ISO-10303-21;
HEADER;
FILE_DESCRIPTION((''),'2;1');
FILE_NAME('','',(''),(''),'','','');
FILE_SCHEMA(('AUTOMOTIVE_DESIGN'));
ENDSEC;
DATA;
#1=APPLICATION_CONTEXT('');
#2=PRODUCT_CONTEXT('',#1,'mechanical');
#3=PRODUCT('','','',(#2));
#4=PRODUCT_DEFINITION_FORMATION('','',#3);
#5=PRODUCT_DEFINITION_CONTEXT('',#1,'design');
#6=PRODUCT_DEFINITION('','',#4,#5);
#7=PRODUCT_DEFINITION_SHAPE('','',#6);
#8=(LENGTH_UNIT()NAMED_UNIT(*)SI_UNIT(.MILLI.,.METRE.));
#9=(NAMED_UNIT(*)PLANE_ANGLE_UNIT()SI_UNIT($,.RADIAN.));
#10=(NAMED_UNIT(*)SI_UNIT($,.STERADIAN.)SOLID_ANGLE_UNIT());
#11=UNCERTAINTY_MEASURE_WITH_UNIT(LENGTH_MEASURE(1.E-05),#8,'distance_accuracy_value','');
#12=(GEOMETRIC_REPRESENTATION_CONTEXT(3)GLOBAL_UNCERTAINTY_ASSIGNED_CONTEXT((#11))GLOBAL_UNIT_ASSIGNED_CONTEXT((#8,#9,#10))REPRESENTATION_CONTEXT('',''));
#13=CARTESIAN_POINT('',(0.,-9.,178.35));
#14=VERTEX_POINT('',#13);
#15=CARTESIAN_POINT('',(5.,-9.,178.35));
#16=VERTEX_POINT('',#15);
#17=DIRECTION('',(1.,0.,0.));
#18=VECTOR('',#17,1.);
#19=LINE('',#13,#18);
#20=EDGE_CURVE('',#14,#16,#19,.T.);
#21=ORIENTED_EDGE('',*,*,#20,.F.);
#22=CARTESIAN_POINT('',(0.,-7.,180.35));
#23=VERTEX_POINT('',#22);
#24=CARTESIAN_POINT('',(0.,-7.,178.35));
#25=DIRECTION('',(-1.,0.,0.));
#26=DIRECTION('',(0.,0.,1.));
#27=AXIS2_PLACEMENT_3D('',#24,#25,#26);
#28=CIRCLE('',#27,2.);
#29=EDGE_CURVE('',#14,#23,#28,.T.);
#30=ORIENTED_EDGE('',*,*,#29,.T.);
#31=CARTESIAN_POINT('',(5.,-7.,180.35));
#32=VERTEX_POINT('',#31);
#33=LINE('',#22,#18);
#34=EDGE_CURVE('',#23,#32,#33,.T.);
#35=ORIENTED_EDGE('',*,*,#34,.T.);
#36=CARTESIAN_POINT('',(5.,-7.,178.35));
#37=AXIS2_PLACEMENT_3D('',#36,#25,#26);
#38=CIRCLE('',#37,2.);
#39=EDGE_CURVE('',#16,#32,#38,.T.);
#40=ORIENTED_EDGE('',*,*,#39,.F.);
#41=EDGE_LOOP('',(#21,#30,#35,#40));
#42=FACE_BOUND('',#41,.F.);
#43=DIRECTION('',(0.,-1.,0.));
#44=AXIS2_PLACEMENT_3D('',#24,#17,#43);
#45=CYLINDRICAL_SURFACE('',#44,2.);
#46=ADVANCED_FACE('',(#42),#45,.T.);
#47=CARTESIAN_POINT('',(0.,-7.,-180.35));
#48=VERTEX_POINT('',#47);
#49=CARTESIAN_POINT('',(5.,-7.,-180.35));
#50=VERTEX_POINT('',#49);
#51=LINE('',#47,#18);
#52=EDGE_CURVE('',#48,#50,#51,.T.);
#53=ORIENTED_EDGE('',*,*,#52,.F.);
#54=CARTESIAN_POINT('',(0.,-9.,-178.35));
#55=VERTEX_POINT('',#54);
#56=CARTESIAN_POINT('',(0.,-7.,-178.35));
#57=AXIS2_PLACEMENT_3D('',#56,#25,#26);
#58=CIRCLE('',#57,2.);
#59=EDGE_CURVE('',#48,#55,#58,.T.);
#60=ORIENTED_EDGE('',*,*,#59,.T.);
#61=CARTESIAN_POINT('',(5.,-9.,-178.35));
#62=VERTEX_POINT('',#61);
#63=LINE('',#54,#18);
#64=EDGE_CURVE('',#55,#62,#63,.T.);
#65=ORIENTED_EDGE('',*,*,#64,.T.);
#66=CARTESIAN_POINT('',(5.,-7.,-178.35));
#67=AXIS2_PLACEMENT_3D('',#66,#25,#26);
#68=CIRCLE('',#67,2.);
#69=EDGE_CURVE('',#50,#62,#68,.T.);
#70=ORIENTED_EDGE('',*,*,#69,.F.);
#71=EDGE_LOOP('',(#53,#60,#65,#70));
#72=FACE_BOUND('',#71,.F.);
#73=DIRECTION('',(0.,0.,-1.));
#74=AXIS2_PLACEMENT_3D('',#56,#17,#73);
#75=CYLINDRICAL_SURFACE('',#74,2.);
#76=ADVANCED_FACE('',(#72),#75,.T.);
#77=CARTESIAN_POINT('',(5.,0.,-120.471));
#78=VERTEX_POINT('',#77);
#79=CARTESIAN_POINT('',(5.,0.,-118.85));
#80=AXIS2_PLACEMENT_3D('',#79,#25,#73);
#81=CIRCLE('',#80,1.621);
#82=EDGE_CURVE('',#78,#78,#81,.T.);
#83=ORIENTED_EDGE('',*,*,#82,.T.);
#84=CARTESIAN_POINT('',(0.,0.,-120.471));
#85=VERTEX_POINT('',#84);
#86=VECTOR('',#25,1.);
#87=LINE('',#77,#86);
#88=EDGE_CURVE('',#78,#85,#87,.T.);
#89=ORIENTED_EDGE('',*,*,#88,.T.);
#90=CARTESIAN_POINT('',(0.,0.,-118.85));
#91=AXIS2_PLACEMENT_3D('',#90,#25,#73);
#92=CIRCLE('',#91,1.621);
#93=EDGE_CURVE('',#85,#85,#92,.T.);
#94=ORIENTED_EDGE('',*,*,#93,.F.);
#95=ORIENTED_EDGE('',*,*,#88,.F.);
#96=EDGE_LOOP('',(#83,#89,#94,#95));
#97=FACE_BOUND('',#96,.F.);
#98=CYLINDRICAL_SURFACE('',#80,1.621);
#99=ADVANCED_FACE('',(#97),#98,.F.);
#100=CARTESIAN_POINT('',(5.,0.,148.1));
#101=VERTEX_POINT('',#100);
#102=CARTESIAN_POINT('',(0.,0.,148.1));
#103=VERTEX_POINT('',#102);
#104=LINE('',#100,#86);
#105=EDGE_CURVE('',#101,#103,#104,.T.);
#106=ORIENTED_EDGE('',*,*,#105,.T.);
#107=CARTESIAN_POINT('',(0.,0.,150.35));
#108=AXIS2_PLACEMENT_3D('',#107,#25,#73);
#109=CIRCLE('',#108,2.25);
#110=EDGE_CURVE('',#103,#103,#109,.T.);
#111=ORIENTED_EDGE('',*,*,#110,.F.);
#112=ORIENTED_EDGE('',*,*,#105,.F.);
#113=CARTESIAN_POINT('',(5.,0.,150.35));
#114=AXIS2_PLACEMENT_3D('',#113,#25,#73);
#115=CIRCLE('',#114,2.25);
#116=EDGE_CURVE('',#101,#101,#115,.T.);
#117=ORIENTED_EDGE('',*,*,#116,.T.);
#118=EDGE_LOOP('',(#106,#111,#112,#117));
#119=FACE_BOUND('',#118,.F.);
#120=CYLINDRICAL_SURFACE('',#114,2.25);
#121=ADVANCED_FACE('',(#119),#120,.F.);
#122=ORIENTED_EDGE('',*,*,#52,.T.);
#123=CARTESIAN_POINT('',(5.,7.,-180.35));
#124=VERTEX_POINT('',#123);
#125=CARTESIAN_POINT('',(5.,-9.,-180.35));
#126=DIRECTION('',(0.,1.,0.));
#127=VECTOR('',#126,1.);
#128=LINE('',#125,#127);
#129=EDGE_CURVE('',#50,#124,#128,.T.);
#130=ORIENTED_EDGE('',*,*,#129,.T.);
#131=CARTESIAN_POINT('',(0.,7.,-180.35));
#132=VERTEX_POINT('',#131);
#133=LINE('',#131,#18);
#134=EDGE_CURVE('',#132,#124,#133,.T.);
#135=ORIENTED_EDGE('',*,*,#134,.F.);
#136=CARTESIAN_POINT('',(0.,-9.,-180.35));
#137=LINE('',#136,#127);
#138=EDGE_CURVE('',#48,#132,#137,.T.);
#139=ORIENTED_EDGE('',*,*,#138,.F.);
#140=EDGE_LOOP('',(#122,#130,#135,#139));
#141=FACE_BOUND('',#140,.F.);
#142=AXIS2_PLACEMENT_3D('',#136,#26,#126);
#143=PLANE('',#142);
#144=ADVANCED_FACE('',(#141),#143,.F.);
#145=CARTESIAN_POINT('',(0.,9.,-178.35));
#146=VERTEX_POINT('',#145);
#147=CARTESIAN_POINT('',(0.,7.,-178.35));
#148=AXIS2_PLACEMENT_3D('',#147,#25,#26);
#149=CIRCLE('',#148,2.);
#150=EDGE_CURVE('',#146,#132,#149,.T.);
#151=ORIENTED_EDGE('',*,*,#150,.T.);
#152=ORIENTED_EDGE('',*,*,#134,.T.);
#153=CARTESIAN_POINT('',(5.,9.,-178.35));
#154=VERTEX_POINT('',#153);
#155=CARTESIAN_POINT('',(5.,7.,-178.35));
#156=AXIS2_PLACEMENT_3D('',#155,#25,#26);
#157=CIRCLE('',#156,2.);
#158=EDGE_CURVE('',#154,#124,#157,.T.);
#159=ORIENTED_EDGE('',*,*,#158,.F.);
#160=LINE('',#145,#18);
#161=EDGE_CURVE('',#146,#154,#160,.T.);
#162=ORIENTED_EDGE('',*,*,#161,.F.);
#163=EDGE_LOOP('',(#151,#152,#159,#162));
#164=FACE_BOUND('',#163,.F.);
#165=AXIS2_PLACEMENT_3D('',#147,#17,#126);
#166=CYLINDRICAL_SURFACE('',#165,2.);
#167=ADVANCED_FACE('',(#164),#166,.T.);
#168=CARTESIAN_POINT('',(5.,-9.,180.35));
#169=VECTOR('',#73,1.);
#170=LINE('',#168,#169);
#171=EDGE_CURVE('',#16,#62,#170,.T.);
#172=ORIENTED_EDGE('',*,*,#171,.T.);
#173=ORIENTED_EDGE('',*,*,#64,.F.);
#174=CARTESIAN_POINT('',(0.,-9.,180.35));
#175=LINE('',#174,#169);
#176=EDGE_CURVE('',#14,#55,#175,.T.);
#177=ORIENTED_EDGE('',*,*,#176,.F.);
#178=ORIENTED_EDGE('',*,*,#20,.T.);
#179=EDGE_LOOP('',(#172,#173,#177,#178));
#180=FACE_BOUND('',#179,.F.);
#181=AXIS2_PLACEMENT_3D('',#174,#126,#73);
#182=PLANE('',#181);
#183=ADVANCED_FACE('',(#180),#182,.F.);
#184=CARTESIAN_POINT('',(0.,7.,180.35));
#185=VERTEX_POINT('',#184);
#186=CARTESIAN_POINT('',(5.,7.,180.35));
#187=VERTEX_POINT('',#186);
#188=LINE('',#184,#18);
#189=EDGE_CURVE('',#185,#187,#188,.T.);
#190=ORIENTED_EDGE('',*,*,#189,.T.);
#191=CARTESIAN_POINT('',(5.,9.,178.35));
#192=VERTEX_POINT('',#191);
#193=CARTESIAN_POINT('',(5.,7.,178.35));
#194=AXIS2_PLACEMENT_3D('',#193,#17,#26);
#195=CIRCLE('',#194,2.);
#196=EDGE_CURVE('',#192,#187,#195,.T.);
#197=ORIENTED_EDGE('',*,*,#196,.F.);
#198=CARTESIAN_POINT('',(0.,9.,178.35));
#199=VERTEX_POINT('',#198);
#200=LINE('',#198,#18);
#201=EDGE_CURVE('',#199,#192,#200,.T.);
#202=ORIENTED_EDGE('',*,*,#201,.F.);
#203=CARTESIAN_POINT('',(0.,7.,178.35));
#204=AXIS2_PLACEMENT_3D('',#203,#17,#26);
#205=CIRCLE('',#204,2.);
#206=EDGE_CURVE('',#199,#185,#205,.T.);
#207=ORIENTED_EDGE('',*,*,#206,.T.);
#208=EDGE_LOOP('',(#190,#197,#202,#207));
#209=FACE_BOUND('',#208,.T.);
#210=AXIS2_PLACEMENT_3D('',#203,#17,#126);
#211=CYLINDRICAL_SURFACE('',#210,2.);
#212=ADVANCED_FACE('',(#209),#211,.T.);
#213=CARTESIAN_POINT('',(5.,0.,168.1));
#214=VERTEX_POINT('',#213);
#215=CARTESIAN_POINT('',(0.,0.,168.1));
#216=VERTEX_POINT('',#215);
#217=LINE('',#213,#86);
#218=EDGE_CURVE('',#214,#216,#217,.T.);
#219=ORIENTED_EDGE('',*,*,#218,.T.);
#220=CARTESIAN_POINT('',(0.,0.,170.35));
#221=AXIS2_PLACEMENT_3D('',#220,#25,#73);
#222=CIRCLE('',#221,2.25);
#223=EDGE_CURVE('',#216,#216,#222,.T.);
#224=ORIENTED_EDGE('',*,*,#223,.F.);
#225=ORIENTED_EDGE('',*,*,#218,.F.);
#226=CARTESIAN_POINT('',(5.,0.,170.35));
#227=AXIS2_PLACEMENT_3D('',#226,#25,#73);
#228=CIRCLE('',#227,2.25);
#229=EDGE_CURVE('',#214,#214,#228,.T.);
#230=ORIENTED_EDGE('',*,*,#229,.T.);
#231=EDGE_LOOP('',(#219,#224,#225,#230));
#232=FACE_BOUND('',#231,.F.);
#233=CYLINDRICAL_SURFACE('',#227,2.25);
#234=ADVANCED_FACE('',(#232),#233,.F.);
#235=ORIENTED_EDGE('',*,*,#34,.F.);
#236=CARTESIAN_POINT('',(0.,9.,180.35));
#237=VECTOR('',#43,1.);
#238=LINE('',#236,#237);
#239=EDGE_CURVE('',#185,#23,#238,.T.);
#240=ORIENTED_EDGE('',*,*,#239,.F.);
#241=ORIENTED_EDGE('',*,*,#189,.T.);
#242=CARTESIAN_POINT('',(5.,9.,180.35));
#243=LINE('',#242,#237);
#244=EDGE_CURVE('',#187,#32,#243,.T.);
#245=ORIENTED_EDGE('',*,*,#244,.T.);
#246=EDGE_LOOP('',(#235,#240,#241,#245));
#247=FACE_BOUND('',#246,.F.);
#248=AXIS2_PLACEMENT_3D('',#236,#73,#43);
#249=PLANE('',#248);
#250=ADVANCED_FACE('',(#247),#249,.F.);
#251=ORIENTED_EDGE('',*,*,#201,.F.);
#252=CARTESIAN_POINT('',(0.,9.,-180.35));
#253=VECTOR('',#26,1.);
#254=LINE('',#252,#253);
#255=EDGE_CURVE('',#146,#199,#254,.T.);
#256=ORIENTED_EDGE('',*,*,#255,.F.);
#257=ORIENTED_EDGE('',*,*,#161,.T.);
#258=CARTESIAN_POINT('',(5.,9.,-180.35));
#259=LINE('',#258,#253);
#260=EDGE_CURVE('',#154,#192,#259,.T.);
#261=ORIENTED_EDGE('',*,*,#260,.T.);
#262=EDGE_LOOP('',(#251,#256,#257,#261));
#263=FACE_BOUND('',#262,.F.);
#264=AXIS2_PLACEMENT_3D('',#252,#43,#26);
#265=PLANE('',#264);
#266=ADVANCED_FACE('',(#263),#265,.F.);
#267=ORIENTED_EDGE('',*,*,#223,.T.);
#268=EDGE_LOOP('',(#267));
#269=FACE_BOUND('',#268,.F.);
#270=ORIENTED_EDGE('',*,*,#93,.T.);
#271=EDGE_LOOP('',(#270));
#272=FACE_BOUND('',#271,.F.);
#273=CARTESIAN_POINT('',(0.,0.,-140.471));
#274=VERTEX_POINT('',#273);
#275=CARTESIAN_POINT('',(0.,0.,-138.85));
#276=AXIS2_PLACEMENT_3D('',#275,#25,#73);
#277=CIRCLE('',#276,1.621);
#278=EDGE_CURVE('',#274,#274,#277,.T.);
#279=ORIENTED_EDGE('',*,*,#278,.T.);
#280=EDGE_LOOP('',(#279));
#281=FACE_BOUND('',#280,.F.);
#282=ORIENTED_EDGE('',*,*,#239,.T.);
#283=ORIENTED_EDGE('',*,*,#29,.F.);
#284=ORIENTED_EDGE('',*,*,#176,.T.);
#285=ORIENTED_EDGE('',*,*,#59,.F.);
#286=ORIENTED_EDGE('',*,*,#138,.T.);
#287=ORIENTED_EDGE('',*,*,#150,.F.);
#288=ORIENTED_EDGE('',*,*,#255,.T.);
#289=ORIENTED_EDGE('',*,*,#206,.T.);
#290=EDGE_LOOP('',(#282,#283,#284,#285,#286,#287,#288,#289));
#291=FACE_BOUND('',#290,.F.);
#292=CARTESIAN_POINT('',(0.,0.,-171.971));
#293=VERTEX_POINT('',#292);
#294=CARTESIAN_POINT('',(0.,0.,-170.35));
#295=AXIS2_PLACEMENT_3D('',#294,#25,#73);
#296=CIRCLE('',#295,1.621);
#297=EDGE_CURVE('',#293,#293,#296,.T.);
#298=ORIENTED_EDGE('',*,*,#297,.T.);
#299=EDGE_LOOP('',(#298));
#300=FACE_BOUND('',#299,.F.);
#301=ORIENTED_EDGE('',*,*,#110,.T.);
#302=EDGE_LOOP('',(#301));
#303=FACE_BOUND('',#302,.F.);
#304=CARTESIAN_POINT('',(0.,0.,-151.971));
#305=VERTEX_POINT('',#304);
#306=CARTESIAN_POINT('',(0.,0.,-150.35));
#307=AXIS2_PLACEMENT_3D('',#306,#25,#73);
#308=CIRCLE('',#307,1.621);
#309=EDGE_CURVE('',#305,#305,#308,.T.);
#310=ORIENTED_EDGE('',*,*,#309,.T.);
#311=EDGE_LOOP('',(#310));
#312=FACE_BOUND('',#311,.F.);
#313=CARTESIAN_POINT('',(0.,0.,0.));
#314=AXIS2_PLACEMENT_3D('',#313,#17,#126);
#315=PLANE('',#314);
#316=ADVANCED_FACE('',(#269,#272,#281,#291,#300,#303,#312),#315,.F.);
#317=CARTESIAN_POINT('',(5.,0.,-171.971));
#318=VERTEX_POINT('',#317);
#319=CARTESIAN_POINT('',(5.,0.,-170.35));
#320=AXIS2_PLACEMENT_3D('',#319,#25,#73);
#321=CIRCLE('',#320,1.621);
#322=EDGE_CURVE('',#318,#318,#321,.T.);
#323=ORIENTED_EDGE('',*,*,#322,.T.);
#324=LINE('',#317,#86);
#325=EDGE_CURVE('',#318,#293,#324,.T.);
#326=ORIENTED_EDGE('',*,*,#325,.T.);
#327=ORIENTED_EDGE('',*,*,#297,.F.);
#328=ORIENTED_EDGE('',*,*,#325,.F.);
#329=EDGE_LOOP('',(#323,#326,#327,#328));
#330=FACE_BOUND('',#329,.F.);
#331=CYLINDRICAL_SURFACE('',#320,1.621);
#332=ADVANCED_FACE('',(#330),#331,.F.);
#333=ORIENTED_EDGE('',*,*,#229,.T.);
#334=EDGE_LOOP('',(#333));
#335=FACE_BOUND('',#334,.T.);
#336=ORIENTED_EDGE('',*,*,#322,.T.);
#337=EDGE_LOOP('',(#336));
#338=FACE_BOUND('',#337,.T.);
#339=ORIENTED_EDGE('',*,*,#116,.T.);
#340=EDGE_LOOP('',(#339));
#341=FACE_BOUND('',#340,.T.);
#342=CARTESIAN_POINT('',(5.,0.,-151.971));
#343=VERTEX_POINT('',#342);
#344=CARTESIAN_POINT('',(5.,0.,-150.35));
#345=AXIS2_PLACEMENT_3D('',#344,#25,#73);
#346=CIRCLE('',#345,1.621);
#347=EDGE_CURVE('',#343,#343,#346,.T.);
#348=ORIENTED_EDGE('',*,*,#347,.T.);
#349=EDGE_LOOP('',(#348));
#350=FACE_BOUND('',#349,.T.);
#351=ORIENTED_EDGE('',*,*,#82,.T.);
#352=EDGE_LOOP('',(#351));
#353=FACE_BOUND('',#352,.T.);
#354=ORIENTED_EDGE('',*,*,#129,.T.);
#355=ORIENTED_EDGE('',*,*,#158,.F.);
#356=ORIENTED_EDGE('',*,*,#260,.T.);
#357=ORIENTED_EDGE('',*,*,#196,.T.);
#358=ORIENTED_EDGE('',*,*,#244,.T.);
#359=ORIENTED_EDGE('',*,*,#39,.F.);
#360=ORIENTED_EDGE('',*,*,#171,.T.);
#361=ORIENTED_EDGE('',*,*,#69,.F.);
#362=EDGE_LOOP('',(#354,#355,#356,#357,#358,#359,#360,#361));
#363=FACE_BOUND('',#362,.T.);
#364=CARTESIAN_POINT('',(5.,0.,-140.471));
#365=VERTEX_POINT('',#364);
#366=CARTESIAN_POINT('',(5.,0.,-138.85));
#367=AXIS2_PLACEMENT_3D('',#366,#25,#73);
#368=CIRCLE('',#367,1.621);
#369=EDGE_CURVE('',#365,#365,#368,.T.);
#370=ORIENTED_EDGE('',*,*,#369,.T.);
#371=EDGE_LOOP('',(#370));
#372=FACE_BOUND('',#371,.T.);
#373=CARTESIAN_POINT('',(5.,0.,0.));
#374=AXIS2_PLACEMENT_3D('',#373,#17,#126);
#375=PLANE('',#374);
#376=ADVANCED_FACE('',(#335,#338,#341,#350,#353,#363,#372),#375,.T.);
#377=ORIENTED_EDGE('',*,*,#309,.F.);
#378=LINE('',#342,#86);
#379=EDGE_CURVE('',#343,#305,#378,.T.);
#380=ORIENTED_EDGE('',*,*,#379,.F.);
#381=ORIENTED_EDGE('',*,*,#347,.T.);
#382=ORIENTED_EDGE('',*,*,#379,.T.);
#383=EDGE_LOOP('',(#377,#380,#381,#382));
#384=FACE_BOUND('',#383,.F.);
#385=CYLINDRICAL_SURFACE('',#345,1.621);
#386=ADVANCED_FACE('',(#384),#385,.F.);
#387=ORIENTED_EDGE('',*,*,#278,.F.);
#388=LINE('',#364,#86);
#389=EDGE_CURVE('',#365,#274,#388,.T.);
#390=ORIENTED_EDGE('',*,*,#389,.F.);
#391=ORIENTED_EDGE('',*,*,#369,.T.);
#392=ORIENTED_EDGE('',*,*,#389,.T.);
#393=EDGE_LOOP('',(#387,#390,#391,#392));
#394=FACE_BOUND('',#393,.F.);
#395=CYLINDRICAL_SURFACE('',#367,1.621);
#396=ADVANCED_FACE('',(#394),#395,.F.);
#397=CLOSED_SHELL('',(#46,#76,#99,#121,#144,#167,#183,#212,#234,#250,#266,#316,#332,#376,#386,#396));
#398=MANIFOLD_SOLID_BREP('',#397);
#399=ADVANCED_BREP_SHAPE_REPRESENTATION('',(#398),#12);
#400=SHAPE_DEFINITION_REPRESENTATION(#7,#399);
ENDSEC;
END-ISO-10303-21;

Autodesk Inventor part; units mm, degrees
ref_plane "YZ Plane" through (0, 0, 0) normal (1, 0, 0) x (0, 1, 0)
ref_plane "XZ Plane" through (0, 0, 0) normal (0, 1, 0) x (-1, 0, 0)
ref_plane "XY Plane" through (0, 0, 0) normal (0, 0, 1) x (1, 0, 0)
sketch "Skizze1" plane through (0, 0, 0) normal (1, 0, 0) x (0, 1, 0)
  line L0 (9, 180.35) -> (-9, 180.35)
  line L1 (-9, 180.35) -> (-9, -180.35)
  line L2 (-9, -180.35) -> (9, -180.35)
  line L3 (9, -180.35) -> (9, 180.35)
  point P0 (0, 0)
  point P1 (-9, 0)
  point P2 (0, -180.35)
  dimension "d0" = 360.7
  dimension "d1" = 18
extrude "Extrusion1" add sketch "Skizze1" along normal blind 5
fillet "Rundung1" radius 2 4 edges at (2.5, 9, 180.35) (2.5, -9, 180.35) (2.5, 9, -180.35) (2.5, -9, -180.35)
sketch "Skizze2" plane through (5, 0, 0) normal (1, 0, 0) x (0, 0, -1)
  line L0 (-180.35, 7) -> (-180.35, -7) projected
  line L1 (178.35, 9) -> (-178.35, 9) projected
  line L2 (148.85, 9) -> (148.85, -9) construction
  line L3 (-178.35, -9) -> (178.35, -9) projected
  line L4 (180.35, -7) -> (180.35, 7) projected
  point P0 (0, 0)
  point P1 (-170.35, 0)
  point P2 (-150.35, 0)
  point P3 (138.85, 0)
  point P4 (118.85, 0)
  point P5 (170.35, 0)
  point P6 (150.35, 0)
  dimension "d5" = 10
  dimension "d6" = 20
  dimension "d7" = 329.2
  dimension "d8" = 10
  dimension "d9" = 20
  dimension "d10" = 10
  dimension "d11" = 20
hole "Bohrung1" at (5, 0, -138.85) at (5, 0, -118.85) at (5, 0, -170.35) at (5, 0, -150.35) direction (-1, 0, 0) diameter 3.242 end through all thread size "M4x0.7" class "6H" standard "ISO Metric profile"
hole "Bohrung2" at (5, 0, 170.35) at (5, 0, 150.35) direction (-1, 0, 0) diameter 4.5 end through all clearance for "Flachkopfsenkschraube DIN EN ISO 2009" size "M4" standard "DIN"
equation "\"d_tol\" = 0.3"
equation "\"d_wand\" = 1.5"
equation "\"b_rasp_pi\" = 56"
equation "\"w_kamera_hori\" = 66deg"
equation "\"l_rasp_pi\" = 85"
equation "\"w_kamera_vert\" = 41deg"
equation "\"r_rasp_pi\" = 3"
equation "\"D_oct\" = 3621.32034"
equation "\"D_hexadeca\" = 7541.00924"
equation "\"d_traeger\" = 625"
properties part number "Sstab"
